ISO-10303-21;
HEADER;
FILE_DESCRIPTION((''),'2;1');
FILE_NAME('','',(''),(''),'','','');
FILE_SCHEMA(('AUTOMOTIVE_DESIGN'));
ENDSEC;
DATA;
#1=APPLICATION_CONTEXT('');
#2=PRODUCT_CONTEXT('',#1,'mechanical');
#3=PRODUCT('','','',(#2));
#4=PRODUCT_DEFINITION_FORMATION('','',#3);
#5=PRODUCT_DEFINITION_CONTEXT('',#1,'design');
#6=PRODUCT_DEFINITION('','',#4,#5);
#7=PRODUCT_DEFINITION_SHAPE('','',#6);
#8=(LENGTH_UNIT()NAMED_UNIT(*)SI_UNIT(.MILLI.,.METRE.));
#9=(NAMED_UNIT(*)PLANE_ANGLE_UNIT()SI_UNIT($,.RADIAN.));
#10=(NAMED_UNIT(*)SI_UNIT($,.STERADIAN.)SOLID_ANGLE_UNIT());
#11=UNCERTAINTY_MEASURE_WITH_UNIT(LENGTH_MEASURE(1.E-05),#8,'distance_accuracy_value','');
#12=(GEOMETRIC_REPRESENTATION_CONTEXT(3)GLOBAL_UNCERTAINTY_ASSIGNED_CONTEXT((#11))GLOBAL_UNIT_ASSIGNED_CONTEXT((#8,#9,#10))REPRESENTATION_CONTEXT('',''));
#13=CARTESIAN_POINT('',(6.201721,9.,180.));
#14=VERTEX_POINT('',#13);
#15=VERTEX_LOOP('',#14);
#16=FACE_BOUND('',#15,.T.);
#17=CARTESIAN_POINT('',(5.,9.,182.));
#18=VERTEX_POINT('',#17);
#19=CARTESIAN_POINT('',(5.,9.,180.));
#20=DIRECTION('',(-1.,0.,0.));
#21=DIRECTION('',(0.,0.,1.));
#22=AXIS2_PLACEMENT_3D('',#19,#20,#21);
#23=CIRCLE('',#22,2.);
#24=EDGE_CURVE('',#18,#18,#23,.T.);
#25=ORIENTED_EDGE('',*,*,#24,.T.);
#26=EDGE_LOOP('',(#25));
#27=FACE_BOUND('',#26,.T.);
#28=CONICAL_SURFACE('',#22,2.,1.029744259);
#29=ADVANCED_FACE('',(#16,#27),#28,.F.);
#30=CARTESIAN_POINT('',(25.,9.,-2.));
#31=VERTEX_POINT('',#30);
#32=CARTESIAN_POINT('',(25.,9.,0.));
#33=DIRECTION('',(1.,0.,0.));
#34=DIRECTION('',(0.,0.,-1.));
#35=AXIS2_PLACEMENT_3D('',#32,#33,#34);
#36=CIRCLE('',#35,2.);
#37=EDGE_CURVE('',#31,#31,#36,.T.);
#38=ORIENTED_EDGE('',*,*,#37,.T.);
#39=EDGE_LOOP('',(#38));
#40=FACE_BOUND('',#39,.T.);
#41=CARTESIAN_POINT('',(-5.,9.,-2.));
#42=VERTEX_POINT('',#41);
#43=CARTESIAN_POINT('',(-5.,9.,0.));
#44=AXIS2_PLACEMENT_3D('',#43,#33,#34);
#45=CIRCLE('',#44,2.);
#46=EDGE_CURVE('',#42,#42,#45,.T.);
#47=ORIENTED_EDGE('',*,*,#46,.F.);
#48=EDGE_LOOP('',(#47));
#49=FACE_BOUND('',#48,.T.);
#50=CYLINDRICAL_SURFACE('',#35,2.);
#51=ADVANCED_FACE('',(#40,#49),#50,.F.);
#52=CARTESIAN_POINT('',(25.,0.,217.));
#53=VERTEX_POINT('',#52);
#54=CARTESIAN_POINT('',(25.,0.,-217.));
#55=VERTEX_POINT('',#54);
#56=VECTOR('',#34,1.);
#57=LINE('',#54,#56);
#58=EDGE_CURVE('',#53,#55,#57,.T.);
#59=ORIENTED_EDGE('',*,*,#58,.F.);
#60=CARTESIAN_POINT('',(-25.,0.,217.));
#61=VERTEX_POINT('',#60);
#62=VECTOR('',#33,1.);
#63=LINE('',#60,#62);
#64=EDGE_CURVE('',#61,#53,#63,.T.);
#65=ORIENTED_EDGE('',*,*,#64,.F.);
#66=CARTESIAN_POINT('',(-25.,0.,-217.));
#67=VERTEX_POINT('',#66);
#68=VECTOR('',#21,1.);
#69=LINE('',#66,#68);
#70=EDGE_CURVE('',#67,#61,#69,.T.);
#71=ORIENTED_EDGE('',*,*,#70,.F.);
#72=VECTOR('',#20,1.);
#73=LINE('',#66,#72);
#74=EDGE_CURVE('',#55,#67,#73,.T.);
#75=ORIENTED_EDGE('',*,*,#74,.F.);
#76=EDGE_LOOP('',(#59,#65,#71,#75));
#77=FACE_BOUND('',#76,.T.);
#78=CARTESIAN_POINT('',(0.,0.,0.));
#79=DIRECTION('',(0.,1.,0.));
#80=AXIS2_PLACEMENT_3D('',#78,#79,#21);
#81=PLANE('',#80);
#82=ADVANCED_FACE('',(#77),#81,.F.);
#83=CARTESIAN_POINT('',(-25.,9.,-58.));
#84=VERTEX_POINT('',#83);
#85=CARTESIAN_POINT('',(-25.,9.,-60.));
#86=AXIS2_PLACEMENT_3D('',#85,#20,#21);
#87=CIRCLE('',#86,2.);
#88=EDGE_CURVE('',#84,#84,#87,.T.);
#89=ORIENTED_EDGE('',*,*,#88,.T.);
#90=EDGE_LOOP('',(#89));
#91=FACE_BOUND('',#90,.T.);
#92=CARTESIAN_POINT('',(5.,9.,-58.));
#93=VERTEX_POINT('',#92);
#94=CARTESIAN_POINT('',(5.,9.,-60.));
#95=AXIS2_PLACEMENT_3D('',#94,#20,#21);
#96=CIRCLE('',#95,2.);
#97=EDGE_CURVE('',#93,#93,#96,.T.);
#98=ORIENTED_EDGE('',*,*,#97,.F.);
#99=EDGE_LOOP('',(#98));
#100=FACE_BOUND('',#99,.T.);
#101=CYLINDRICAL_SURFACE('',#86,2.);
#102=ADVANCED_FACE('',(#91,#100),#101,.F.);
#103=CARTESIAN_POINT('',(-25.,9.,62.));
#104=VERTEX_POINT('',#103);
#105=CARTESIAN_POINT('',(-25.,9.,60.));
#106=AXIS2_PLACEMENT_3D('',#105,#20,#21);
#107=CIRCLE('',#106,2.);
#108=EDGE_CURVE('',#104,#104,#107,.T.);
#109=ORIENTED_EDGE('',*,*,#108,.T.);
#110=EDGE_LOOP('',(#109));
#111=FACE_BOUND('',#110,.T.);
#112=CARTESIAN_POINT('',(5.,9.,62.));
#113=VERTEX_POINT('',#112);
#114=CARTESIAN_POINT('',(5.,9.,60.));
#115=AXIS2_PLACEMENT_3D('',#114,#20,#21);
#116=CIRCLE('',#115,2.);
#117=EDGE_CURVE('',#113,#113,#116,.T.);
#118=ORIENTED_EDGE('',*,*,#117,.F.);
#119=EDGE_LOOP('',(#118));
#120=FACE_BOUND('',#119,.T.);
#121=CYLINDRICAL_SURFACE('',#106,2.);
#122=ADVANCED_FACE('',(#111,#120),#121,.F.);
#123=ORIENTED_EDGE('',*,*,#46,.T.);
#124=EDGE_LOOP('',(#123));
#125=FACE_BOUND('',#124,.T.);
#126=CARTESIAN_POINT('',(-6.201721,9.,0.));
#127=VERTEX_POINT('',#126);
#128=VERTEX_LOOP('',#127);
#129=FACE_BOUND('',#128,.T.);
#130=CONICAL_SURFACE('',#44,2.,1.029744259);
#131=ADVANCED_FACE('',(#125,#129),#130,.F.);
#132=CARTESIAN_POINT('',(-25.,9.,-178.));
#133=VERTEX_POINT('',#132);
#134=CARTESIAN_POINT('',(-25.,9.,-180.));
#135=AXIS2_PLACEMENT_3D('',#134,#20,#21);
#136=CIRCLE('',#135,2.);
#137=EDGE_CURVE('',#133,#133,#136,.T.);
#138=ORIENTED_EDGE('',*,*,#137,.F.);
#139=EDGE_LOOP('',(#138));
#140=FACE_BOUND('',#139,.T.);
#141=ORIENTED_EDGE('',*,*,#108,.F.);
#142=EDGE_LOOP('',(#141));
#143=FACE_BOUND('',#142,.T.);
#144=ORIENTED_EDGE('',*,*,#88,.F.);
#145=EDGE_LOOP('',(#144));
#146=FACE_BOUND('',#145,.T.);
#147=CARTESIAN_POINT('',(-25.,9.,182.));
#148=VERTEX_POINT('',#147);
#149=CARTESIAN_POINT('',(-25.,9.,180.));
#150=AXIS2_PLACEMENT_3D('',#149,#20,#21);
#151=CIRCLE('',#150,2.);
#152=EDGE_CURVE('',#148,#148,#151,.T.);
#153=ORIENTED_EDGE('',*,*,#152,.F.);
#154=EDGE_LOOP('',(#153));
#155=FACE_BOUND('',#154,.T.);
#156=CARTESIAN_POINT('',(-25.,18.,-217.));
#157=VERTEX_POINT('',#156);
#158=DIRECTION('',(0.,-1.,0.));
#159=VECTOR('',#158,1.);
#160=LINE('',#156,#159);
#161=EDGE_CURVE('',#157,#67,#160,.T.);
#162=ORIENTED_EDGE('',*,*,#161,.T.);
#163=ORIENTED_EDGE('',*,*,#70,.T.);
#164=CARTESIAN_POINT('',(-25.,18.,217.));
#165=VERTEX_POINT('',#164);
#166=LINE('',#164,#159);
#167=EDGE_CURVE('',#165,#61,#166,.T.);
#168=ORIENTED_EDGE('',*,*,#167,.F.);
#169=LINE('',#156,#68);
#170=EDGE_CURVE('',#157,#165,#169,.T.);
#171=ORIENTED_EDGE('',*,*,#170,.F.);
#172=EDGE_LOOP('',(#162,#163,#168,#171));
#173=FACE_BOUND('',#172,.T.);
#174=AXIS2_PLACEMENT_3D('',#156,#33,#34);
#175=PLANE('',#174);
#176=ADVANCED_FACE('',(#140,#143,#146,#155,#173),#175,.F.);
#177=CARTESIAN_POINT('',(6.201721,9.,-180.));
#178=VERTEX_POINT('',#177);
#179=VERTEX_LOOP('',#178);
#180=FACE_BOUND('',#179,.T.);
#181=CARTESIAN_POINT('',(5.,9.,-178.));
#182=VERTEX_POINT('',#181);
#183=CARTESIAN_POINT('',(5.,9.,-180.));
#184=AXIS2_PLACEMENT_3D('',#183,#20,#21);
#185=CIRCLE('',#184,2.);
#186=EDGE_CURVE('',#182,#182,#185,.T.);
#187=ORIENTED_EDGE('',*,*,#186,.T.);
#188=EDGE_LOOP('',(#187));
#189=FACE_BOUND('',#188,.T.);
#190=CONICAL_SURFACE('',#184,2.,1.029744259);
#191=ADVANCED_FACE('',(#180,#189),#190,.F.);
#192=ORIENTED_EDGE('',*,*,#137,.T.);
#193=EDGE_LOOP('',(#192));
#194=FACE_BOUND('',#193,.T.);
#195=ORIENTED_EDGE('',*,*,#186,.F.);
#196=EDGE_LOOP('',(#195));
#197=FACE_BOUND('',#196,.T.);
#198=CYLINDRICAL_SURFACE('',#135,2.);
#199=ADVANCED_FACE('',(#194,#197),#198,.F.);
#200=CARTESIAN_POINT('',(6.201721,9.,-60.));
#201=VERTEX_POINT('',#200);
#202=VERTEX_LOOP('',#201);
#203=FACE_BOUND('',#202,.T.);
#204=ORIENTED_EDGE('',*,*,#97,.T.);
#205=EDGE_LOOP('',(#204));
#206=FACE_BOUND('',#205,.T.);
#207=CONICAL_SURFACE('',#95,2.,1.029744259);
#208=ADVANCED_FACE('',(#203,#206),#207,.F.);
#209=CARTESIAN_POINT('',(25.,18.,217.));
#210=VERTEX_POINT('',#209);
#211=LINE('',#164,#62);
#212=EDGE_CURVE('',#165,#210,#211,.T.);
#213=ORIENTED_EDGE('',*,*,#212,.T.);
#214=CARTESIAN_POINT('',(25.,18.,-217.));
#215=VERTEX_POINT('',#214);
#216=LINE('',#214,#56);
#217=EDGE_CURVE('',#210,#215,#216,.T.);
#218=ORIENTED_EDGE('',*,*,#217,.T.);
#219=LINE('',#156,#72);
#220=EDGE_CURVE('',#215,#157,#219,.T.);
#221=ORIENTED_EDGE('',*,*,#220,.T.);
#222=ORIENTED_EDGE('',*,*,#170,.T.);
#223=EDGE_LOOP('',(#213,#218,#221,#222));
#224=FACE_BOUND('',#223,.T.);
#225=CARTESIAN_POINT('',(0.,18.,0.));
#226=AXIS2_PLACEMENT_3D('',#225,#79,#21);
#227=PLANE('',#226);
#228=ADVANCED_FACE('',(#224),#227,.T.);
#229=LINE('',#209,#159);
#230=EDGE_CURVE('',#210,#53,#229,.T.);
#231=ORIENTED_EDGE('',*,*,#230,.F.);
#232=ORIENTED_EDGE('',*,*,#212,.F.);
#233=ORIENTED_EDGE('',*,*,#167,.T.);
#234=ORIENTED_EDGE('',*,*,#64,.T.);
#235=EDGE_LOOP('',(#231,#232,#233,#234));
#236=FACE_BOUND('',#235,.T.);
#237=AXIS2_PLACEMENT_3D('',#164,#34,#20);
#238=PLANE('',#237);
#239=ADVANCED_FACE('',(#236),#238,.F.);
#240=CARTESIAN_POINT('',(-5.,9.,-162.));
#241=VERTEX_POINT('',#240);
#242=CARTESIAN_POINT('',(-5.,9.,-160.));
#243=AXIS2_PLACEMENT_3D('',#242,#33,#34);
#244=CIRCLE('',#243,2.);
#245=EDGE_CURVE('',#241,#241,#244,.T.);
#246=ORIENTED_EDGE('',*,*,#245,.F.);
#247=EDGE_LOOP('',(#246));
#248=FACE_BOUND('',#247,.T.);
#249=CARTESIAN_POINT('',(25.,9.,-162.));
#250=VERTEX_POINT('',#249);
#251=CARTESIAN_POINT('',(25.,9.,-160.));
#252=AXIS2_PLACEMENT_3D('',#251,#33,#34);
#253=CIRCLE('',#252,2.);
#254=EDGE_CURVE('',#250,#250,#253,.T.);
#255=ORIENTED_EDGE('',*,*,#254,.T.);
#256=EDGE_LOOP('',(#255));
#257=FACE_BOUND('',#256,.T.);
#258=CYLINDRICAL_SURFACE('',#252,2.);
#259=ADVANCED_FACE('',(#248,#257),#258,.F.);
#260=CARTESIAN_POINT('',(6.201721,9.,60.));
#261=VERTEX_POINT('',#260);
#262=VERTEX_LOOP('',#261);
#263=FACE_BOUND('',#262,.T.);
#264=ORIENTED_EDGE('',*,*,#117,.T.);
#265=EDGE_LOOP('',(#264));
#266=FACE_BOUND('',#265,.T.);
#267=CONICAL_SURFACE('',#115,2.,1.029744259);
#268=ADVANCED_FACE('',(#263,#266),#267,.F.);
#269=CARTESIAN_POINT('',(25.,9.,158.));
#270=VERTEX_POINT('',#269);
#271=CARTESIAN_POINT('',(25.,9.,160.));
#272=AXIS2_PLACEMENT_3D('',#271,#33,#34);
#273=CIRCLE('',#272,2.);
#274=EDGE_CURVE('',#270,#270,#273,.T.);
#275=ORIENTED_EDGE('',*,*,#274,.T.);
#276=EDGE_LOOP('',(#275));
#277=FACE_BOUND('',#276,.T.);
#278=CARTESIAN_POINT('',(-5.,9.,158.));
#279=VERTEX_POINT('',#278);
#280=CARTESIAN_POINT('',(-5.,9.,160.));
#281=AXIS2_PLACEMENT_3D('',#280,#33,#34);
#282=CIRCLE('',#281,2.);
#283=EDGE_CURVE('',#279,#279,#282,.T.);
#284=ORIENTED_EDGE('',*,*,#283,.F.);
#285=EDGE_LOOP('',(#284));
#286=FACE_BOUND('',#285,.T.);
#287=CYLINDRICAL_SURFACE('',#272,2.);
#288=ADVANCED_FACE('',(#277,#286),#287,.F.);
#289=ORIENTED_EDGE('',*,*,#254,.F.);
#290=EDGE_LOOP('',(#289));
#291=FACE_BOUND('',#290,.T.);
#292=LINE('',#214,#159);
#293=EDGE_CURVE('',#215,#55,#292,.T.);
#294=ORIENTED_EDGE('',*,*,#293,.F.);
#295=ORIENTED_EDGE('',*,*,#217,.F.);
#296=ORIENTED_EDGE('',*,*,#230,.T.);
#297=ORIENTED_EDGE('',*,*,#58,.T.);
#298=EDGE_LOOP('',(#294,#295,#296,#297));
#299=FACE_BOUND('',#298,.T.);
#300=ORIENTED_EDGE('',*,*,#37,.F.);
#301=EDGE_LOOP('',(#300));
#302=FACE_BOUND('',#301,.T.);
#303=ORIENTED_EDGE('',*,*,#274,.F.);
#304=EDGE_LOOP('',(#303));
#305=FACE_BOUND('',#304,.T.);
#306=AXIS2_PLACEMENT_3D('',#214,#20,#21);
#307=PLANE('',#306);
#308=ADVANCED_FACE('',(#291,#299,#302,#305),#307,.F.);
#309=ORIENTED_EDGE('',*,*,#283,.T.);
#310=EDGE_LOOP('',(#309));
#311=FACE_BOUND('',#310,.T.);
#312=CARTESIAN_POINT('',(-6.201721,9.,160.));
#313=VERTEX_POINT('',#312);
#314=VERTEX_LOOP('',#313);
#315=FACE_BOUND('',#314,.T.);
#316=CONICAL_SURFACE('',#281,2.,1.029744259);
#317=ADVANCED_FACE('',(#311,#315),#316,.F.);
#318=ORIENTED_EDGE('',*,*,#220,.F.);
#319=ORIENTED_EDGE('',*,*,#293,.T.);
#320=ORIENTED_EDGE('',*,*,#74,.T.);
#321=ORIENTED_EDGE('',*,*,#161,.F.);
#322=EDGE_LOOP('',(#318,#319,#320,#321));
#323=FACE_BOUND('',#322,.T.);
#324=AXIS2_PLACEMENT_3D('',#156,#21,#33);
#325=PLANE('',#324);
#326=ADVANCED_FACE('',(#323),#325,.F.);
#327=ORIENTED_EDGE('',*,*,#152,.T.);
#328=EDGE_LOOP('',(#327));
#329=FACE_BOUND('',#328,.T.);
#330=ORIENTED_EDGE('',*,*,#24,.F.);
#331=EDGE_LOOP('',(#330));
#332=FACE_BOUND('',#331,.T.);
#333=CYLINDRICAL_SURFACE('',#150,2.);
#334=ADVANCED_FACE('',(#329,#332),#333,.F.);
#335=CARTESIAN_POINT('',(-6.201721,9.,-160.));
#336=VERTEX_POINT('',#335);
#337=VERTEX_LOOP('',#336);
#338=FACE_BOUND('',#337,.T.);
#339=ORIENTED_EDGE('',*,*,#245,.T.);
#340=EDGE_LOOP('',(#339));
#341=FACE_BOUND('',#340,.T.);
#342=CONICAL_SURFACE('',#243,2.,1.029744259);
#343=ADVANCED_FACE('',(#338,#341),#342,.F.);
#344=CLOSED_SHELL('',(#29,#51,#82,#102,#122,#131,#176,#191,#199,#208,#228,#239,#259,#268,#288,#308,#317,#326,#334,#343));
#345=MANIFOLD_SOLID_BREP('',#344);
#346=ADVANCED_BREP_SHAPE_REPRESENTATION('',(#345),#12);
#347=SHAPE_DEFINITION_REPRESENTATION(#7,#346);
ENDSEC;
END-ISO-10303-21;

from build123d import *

# Parameters (mm, degrees)
SKETCH1_W                    = 50
SKETCH1_H                    = 434
BOSS_EXTRUDE1_DEPTH          = 18
F_4_0_4_DIAMETER_HOLE3_D     = 4
F_4_0_4_DIAMETER_HOLE3_DEPTH = 30
F_4_0_4_DIAMETER_HOLE3_TIP   = 1.201721238
F_4_0_4_DIAMETER_HOLE4_D     = 4
F_4_0_4_DIAMETER_HOLE4_DEPTH = 30
F_4_0_4_DIAMETER_HOLE4_TIP   = 1.201721238


with BuildPart() as part:
    # Sketch1 → Boss-Extrude1 (new body)
    with BuildSketch(Plane(origin=(0, 0, 0), x_dir=(1, 0, 0), z_dir=(0, 1, 0))):
        Rectangle(SKETCH1_W, SKETCH1_H)
    extrude(amount=BOSS_EXTRUDE1_DEPTH)

    # Ø4.0 (4) Diameter Hole3
    with Locations(Plane(origin=(25, 0, 0), x_dir=(0, 0, -1), z_dir=(1, 0, 0))):
        with Locations((160, 9), (0, 9), (-160, 9)):
            Hole(F_4_0_4_DIAMETER_HOLE3_D / 2, depth=F_4_0_4_DIAMETER_HOLE3_DEPTH)
            with Locations((0, 0, -(F_4_0_4_DIAMETER_HOLE3_DEPTH + F_4_0_4_DIAMETER_HOLE3_TIP / 2))):  # 118° drill point
                Cone(0, F_4_0_4_DIAMETER_HOLE3_D / 2, F_4_0_4_DIAMETER_HOLE3_TIP, mode=Mode.SUBTRACT)

    # Ø4.0 (4) Diameter Hole4
    with Locations(Plane.ZY.offset(25)):
        with Locations((180, 9), (60, 9), (-60, 9), (-180, 9)):
            Hole(F_4_0_4_DIAMETER_HOLE4_D / 2, depth=F_4_0_4_DIAMETER_HOLE4_DEPTH)
            with Locations((0, 0, -(F_4_0_4_DIAMETER_HOLE4_DEPTH + F_4_0_4_DIAMETER_HOLE4_TIP / 2))):  # 118° drill point
                Cone(0, F_4_0_4_DIAMETER_HOLE4_D / 2, F_4_0_4_DIAMETER_HOLE4_TIP, mode=Mode.SUBTRACT)


solid = part.part
